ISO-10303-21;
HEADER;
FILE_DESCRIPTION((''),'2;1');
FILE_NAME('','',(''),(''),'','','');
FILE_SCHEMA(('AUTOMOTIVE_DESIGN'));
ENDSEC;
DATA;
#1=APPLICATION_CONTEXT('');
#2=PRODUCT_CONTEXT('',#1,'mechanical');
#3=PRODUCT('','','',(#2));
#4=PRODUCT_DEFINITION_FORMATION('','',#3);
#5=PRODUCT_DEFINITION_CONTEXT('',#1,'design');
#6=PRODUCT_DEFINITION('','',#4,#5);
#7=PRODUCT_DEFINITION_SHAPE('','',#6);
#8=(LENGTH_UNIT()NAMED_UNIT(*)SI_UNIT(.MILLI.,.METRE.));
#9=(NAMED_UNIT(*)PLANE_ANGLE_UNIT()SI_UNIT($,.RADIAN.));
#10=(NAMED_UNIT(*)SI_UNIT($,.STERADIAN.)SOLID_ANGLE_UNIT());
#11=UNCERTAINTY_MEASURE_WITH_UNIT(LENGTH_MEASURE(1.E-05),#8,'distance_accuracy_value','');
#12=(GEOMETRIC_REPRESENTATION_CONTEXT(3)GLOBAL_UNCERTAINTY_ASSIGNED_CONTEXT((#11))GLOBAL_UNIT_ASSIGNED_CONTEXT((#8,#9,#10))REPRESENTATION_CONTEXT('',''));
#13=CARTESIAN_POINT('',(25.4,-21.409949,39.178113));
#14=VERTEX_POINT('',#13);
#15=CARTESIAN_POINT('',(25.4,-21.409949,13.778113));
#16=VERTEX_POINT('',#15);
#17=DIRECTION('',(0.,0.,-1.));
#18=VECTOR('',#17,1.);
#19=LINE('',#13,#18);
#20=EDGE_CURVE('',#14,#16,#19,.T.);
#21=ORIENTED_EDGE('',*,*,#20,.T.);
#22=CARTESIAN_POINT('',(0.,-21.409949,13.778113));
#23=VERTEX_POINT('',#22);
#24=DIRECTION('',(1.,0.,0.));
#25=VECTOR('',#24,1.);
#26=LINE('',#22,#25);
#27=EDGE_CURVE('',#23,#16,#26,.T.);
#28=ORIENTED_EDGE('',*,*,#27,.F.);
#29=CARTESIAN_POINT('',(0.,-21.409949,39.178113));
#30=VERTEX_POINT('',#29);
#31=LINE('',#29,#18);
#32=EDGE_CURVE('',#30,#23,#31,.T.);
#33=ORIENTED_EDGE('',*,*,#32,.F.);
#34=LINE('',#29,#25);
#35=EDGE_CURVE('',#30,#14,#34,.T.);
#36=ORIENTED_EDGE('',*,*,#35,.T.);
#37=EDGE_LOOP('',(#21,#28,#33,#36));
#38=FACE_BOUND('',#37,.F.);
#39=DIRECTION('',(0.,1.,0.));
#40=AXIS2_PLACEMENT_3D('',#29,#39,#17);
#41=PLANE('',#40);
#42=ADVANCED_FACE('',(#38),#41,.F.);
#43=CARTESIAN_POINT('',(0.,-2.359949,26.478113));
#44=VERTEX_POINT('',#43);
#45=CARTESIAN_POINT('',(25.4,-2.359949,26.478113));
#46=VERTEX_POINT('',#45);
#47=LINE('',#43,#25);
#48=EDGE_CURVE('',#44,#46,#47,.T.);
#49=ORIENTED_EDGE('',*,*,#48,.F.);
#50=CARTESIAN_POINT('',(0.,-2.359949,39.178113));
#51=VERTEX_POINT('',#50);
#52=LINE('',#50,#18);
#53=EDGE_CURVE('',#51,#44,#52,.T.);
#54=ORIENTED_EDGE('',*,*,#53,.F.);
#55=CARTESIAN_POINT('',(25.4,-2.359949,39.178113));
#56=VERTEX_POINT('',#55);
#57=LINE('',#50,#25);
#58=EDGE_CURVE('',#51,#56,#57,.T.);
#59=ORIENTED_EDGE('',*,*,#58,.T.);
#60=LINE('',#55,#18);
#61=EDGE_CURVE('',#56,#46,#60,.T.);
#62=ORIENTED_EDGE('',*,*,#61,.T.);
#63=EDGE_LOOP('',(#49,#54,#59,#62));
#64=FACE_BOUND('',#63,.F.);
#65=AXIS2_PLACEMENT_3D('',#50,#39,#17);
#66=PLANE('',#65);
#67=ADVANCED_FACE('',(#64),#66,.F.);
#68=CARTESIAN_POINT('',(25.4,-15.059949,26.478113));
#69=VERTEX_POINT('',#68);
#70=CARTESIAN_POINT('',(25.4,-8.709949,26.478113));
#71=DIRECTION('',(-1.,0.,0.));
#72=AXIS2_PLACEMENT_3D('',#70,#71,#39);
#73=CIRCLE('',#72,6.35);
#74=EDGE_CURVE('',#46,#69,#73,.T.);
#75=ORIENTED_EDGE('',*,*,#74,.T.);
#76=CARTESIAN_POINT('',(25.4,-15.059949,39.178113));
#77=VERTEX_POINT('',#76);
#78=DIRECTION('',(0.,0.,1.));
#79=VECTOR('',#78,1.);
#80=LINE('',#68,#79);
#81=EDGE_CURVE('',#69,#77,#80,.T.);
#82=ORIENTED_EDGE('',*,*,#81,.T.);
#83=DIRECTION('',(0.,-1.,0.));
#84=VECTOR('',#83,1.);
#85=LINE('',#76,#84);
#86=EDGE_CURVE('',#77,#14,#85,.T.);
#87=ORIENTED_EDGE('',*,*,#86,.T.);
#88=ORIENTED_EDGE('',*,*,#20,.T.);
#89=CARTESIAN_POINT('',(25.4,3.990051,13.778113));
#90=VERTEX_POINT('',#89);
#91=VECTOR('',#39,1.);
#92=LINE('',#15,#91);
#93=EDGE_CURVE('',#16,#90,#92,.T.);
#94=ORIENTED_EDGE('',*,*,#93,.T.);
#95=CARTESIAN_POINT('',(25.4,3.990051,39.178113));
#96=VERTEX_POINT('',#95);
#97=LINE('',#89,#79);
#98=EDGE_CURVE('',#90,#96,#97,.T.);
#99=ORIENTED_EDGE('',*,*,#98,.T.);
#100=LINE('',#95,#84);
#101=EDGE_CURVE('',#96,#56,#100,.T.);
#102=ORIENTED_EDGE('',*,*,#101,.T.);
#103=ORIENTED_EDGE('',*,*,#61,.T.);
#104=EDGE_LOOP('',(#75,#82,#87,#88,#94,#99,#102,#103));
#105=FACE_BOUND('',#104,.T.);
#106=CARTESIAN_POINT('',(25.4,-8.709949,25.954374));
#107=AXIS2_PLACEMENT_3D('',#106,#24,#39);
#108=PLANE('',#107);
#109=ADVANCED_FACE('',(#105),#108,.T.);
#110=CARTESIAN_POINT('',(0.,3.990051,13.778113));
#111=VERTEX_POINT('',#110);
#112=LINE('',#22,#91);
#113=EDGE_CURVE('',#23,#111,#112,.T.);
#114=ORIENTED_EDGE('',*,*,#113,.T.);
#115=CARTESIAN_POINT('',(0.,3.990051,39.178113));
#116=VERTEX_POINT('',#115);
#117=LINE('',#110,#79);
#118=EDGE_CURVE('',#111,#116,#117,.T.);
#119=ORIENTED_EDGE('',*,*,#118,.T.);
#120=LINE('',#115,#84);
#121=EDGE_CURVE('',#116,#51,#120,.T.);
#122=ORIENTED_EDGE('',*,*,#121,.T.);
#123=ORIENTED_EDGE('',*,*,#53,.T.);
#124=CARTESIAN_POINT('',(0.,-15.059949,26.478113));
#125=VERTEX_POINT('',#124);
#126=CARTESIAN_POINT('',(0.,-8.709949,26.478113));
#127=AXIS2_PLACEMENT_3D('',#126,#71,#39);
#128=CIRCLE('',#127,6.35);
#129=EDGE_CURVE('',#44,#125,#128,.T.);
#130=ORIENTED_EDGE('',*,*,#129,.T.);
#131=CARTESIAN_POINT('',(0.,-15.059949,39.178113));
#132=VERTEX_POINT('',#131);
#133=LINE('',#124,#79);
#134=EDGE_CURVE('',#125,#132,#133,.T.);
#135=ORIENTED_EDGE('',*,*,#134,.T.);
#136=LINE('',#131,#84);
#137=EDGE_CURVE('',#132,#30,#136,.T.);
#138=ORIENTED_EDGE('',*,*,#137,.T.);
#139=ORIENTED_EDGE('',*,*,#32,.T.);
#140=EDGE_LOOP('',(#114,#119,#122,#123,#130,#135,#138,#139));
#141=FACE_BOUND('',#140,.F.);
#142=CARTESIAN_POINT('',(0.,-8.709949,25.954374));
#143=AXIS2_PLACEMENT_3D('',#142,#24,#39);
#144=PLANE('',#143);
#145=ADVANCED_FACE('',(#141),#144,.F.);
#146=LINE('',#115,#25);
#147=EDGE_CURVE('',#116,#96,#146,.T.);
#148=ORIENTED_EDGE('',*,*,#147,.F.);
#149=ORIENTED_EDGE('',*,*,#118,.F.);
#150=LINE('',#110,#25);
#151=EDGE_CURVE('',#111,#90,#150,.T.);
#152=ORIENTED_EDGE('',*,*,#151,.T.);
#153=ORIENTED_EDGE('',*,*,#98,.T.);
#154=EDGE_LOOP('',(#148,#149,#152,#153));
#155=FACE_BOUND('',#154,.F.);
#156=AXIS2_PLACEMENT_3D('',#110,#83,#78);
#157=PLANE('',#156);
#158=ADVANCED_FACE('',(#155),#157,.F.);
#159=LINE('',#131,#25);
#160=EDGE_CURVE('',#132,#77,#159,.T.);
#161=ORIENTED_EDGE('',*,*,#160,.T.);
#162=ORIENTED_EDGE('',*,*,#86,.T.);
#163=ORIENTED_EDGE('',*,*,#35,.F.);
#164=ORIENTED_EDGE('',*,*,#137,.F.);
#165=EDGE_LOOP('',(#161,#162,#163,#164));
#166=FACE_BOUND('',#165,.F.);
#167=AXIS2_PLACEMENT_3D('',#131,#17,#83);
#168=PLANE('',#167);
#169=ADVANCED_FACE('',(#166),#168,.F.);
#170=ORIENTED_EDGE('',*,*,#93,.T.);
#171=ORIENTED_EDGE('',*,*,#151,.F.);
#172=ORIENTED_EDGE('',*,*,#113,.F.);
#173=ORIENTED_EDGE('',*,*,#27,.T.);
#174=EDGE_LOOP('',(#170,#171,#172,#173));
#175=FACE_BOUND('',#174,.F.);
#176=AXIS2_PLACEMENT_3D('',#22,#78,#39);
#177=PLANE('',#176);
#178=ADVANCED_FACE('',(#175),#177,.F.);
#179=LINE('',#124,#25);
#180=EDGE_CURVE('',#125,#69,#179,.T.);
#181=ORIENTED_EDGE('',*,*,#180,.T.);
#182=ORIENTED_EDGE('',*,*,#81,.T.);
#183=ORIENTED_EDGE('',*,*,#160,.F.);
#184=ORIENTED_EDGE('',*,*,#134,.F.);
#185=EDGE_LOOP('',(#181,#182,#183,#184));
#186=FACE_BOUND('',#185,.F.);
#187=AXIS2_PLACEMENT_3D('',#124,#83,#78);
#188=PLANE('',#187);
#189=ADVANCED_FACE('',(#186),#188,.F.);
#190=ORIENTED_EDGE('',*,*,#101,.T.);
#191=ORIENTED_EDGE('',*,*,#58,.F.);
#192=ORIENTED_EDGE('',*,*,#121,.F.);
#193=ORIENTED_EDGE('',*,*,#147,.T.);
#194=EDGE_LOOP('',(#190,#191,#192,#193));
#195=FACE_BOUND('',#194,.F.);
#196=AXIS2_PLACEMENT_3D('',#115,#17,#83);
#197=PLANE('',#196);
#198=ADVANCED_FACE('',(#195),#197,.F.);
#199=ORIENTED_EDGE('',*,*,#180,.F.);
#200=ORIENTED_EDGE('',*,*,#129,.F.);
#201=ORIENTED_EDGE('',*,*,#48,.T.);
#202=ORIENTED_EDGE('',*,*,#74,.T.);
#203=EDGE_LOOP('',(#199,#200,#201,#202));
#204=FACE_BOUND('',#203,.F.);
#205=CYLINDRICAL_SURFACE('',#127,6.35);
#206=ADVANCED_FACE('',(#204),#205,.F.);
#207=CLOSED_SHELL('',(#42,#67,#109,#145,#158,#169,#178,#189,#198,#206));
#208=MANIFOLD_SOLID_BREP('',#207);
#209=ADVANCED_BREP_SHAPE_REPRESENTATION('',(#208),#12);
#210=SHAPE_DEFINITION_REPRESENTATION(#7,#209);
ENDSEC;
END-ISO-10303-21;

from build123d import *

# Parameters (mm, degrees)
F1_DEPTH = 25.4


with BuildPart() as f1:
    # F0 (on Right) → F1 (new body)
    with BuildSketch(Plane.YZ):
        with BuildLine():
            Line((-15.059949, 39.178113), (-21.409949, 39.178113))
            Line((-21.409949, 39.178113), (-21.409949, 13.778113))
            Line((-21.409949, 13.778113), (3.990051, 13.778113))
            Line((3.990051, 13.778113), (3.990051, 39.178113))
            Line((3.990051, 39.178113), (-2.359949, 39.178113))
            Line((-2.359949, 39.178113), (-2.359949, 26.478113))
            ThreePointArc((-2.359949, 26.478113), (-8.709949, 20.128113), (-15.059949, 26.478113))
            Line((-15.059949, 26.478113), (-15.059949, 39.178113))
        make_face()
    extrude(amount=F1_DEPTH)


solid = f1.part
